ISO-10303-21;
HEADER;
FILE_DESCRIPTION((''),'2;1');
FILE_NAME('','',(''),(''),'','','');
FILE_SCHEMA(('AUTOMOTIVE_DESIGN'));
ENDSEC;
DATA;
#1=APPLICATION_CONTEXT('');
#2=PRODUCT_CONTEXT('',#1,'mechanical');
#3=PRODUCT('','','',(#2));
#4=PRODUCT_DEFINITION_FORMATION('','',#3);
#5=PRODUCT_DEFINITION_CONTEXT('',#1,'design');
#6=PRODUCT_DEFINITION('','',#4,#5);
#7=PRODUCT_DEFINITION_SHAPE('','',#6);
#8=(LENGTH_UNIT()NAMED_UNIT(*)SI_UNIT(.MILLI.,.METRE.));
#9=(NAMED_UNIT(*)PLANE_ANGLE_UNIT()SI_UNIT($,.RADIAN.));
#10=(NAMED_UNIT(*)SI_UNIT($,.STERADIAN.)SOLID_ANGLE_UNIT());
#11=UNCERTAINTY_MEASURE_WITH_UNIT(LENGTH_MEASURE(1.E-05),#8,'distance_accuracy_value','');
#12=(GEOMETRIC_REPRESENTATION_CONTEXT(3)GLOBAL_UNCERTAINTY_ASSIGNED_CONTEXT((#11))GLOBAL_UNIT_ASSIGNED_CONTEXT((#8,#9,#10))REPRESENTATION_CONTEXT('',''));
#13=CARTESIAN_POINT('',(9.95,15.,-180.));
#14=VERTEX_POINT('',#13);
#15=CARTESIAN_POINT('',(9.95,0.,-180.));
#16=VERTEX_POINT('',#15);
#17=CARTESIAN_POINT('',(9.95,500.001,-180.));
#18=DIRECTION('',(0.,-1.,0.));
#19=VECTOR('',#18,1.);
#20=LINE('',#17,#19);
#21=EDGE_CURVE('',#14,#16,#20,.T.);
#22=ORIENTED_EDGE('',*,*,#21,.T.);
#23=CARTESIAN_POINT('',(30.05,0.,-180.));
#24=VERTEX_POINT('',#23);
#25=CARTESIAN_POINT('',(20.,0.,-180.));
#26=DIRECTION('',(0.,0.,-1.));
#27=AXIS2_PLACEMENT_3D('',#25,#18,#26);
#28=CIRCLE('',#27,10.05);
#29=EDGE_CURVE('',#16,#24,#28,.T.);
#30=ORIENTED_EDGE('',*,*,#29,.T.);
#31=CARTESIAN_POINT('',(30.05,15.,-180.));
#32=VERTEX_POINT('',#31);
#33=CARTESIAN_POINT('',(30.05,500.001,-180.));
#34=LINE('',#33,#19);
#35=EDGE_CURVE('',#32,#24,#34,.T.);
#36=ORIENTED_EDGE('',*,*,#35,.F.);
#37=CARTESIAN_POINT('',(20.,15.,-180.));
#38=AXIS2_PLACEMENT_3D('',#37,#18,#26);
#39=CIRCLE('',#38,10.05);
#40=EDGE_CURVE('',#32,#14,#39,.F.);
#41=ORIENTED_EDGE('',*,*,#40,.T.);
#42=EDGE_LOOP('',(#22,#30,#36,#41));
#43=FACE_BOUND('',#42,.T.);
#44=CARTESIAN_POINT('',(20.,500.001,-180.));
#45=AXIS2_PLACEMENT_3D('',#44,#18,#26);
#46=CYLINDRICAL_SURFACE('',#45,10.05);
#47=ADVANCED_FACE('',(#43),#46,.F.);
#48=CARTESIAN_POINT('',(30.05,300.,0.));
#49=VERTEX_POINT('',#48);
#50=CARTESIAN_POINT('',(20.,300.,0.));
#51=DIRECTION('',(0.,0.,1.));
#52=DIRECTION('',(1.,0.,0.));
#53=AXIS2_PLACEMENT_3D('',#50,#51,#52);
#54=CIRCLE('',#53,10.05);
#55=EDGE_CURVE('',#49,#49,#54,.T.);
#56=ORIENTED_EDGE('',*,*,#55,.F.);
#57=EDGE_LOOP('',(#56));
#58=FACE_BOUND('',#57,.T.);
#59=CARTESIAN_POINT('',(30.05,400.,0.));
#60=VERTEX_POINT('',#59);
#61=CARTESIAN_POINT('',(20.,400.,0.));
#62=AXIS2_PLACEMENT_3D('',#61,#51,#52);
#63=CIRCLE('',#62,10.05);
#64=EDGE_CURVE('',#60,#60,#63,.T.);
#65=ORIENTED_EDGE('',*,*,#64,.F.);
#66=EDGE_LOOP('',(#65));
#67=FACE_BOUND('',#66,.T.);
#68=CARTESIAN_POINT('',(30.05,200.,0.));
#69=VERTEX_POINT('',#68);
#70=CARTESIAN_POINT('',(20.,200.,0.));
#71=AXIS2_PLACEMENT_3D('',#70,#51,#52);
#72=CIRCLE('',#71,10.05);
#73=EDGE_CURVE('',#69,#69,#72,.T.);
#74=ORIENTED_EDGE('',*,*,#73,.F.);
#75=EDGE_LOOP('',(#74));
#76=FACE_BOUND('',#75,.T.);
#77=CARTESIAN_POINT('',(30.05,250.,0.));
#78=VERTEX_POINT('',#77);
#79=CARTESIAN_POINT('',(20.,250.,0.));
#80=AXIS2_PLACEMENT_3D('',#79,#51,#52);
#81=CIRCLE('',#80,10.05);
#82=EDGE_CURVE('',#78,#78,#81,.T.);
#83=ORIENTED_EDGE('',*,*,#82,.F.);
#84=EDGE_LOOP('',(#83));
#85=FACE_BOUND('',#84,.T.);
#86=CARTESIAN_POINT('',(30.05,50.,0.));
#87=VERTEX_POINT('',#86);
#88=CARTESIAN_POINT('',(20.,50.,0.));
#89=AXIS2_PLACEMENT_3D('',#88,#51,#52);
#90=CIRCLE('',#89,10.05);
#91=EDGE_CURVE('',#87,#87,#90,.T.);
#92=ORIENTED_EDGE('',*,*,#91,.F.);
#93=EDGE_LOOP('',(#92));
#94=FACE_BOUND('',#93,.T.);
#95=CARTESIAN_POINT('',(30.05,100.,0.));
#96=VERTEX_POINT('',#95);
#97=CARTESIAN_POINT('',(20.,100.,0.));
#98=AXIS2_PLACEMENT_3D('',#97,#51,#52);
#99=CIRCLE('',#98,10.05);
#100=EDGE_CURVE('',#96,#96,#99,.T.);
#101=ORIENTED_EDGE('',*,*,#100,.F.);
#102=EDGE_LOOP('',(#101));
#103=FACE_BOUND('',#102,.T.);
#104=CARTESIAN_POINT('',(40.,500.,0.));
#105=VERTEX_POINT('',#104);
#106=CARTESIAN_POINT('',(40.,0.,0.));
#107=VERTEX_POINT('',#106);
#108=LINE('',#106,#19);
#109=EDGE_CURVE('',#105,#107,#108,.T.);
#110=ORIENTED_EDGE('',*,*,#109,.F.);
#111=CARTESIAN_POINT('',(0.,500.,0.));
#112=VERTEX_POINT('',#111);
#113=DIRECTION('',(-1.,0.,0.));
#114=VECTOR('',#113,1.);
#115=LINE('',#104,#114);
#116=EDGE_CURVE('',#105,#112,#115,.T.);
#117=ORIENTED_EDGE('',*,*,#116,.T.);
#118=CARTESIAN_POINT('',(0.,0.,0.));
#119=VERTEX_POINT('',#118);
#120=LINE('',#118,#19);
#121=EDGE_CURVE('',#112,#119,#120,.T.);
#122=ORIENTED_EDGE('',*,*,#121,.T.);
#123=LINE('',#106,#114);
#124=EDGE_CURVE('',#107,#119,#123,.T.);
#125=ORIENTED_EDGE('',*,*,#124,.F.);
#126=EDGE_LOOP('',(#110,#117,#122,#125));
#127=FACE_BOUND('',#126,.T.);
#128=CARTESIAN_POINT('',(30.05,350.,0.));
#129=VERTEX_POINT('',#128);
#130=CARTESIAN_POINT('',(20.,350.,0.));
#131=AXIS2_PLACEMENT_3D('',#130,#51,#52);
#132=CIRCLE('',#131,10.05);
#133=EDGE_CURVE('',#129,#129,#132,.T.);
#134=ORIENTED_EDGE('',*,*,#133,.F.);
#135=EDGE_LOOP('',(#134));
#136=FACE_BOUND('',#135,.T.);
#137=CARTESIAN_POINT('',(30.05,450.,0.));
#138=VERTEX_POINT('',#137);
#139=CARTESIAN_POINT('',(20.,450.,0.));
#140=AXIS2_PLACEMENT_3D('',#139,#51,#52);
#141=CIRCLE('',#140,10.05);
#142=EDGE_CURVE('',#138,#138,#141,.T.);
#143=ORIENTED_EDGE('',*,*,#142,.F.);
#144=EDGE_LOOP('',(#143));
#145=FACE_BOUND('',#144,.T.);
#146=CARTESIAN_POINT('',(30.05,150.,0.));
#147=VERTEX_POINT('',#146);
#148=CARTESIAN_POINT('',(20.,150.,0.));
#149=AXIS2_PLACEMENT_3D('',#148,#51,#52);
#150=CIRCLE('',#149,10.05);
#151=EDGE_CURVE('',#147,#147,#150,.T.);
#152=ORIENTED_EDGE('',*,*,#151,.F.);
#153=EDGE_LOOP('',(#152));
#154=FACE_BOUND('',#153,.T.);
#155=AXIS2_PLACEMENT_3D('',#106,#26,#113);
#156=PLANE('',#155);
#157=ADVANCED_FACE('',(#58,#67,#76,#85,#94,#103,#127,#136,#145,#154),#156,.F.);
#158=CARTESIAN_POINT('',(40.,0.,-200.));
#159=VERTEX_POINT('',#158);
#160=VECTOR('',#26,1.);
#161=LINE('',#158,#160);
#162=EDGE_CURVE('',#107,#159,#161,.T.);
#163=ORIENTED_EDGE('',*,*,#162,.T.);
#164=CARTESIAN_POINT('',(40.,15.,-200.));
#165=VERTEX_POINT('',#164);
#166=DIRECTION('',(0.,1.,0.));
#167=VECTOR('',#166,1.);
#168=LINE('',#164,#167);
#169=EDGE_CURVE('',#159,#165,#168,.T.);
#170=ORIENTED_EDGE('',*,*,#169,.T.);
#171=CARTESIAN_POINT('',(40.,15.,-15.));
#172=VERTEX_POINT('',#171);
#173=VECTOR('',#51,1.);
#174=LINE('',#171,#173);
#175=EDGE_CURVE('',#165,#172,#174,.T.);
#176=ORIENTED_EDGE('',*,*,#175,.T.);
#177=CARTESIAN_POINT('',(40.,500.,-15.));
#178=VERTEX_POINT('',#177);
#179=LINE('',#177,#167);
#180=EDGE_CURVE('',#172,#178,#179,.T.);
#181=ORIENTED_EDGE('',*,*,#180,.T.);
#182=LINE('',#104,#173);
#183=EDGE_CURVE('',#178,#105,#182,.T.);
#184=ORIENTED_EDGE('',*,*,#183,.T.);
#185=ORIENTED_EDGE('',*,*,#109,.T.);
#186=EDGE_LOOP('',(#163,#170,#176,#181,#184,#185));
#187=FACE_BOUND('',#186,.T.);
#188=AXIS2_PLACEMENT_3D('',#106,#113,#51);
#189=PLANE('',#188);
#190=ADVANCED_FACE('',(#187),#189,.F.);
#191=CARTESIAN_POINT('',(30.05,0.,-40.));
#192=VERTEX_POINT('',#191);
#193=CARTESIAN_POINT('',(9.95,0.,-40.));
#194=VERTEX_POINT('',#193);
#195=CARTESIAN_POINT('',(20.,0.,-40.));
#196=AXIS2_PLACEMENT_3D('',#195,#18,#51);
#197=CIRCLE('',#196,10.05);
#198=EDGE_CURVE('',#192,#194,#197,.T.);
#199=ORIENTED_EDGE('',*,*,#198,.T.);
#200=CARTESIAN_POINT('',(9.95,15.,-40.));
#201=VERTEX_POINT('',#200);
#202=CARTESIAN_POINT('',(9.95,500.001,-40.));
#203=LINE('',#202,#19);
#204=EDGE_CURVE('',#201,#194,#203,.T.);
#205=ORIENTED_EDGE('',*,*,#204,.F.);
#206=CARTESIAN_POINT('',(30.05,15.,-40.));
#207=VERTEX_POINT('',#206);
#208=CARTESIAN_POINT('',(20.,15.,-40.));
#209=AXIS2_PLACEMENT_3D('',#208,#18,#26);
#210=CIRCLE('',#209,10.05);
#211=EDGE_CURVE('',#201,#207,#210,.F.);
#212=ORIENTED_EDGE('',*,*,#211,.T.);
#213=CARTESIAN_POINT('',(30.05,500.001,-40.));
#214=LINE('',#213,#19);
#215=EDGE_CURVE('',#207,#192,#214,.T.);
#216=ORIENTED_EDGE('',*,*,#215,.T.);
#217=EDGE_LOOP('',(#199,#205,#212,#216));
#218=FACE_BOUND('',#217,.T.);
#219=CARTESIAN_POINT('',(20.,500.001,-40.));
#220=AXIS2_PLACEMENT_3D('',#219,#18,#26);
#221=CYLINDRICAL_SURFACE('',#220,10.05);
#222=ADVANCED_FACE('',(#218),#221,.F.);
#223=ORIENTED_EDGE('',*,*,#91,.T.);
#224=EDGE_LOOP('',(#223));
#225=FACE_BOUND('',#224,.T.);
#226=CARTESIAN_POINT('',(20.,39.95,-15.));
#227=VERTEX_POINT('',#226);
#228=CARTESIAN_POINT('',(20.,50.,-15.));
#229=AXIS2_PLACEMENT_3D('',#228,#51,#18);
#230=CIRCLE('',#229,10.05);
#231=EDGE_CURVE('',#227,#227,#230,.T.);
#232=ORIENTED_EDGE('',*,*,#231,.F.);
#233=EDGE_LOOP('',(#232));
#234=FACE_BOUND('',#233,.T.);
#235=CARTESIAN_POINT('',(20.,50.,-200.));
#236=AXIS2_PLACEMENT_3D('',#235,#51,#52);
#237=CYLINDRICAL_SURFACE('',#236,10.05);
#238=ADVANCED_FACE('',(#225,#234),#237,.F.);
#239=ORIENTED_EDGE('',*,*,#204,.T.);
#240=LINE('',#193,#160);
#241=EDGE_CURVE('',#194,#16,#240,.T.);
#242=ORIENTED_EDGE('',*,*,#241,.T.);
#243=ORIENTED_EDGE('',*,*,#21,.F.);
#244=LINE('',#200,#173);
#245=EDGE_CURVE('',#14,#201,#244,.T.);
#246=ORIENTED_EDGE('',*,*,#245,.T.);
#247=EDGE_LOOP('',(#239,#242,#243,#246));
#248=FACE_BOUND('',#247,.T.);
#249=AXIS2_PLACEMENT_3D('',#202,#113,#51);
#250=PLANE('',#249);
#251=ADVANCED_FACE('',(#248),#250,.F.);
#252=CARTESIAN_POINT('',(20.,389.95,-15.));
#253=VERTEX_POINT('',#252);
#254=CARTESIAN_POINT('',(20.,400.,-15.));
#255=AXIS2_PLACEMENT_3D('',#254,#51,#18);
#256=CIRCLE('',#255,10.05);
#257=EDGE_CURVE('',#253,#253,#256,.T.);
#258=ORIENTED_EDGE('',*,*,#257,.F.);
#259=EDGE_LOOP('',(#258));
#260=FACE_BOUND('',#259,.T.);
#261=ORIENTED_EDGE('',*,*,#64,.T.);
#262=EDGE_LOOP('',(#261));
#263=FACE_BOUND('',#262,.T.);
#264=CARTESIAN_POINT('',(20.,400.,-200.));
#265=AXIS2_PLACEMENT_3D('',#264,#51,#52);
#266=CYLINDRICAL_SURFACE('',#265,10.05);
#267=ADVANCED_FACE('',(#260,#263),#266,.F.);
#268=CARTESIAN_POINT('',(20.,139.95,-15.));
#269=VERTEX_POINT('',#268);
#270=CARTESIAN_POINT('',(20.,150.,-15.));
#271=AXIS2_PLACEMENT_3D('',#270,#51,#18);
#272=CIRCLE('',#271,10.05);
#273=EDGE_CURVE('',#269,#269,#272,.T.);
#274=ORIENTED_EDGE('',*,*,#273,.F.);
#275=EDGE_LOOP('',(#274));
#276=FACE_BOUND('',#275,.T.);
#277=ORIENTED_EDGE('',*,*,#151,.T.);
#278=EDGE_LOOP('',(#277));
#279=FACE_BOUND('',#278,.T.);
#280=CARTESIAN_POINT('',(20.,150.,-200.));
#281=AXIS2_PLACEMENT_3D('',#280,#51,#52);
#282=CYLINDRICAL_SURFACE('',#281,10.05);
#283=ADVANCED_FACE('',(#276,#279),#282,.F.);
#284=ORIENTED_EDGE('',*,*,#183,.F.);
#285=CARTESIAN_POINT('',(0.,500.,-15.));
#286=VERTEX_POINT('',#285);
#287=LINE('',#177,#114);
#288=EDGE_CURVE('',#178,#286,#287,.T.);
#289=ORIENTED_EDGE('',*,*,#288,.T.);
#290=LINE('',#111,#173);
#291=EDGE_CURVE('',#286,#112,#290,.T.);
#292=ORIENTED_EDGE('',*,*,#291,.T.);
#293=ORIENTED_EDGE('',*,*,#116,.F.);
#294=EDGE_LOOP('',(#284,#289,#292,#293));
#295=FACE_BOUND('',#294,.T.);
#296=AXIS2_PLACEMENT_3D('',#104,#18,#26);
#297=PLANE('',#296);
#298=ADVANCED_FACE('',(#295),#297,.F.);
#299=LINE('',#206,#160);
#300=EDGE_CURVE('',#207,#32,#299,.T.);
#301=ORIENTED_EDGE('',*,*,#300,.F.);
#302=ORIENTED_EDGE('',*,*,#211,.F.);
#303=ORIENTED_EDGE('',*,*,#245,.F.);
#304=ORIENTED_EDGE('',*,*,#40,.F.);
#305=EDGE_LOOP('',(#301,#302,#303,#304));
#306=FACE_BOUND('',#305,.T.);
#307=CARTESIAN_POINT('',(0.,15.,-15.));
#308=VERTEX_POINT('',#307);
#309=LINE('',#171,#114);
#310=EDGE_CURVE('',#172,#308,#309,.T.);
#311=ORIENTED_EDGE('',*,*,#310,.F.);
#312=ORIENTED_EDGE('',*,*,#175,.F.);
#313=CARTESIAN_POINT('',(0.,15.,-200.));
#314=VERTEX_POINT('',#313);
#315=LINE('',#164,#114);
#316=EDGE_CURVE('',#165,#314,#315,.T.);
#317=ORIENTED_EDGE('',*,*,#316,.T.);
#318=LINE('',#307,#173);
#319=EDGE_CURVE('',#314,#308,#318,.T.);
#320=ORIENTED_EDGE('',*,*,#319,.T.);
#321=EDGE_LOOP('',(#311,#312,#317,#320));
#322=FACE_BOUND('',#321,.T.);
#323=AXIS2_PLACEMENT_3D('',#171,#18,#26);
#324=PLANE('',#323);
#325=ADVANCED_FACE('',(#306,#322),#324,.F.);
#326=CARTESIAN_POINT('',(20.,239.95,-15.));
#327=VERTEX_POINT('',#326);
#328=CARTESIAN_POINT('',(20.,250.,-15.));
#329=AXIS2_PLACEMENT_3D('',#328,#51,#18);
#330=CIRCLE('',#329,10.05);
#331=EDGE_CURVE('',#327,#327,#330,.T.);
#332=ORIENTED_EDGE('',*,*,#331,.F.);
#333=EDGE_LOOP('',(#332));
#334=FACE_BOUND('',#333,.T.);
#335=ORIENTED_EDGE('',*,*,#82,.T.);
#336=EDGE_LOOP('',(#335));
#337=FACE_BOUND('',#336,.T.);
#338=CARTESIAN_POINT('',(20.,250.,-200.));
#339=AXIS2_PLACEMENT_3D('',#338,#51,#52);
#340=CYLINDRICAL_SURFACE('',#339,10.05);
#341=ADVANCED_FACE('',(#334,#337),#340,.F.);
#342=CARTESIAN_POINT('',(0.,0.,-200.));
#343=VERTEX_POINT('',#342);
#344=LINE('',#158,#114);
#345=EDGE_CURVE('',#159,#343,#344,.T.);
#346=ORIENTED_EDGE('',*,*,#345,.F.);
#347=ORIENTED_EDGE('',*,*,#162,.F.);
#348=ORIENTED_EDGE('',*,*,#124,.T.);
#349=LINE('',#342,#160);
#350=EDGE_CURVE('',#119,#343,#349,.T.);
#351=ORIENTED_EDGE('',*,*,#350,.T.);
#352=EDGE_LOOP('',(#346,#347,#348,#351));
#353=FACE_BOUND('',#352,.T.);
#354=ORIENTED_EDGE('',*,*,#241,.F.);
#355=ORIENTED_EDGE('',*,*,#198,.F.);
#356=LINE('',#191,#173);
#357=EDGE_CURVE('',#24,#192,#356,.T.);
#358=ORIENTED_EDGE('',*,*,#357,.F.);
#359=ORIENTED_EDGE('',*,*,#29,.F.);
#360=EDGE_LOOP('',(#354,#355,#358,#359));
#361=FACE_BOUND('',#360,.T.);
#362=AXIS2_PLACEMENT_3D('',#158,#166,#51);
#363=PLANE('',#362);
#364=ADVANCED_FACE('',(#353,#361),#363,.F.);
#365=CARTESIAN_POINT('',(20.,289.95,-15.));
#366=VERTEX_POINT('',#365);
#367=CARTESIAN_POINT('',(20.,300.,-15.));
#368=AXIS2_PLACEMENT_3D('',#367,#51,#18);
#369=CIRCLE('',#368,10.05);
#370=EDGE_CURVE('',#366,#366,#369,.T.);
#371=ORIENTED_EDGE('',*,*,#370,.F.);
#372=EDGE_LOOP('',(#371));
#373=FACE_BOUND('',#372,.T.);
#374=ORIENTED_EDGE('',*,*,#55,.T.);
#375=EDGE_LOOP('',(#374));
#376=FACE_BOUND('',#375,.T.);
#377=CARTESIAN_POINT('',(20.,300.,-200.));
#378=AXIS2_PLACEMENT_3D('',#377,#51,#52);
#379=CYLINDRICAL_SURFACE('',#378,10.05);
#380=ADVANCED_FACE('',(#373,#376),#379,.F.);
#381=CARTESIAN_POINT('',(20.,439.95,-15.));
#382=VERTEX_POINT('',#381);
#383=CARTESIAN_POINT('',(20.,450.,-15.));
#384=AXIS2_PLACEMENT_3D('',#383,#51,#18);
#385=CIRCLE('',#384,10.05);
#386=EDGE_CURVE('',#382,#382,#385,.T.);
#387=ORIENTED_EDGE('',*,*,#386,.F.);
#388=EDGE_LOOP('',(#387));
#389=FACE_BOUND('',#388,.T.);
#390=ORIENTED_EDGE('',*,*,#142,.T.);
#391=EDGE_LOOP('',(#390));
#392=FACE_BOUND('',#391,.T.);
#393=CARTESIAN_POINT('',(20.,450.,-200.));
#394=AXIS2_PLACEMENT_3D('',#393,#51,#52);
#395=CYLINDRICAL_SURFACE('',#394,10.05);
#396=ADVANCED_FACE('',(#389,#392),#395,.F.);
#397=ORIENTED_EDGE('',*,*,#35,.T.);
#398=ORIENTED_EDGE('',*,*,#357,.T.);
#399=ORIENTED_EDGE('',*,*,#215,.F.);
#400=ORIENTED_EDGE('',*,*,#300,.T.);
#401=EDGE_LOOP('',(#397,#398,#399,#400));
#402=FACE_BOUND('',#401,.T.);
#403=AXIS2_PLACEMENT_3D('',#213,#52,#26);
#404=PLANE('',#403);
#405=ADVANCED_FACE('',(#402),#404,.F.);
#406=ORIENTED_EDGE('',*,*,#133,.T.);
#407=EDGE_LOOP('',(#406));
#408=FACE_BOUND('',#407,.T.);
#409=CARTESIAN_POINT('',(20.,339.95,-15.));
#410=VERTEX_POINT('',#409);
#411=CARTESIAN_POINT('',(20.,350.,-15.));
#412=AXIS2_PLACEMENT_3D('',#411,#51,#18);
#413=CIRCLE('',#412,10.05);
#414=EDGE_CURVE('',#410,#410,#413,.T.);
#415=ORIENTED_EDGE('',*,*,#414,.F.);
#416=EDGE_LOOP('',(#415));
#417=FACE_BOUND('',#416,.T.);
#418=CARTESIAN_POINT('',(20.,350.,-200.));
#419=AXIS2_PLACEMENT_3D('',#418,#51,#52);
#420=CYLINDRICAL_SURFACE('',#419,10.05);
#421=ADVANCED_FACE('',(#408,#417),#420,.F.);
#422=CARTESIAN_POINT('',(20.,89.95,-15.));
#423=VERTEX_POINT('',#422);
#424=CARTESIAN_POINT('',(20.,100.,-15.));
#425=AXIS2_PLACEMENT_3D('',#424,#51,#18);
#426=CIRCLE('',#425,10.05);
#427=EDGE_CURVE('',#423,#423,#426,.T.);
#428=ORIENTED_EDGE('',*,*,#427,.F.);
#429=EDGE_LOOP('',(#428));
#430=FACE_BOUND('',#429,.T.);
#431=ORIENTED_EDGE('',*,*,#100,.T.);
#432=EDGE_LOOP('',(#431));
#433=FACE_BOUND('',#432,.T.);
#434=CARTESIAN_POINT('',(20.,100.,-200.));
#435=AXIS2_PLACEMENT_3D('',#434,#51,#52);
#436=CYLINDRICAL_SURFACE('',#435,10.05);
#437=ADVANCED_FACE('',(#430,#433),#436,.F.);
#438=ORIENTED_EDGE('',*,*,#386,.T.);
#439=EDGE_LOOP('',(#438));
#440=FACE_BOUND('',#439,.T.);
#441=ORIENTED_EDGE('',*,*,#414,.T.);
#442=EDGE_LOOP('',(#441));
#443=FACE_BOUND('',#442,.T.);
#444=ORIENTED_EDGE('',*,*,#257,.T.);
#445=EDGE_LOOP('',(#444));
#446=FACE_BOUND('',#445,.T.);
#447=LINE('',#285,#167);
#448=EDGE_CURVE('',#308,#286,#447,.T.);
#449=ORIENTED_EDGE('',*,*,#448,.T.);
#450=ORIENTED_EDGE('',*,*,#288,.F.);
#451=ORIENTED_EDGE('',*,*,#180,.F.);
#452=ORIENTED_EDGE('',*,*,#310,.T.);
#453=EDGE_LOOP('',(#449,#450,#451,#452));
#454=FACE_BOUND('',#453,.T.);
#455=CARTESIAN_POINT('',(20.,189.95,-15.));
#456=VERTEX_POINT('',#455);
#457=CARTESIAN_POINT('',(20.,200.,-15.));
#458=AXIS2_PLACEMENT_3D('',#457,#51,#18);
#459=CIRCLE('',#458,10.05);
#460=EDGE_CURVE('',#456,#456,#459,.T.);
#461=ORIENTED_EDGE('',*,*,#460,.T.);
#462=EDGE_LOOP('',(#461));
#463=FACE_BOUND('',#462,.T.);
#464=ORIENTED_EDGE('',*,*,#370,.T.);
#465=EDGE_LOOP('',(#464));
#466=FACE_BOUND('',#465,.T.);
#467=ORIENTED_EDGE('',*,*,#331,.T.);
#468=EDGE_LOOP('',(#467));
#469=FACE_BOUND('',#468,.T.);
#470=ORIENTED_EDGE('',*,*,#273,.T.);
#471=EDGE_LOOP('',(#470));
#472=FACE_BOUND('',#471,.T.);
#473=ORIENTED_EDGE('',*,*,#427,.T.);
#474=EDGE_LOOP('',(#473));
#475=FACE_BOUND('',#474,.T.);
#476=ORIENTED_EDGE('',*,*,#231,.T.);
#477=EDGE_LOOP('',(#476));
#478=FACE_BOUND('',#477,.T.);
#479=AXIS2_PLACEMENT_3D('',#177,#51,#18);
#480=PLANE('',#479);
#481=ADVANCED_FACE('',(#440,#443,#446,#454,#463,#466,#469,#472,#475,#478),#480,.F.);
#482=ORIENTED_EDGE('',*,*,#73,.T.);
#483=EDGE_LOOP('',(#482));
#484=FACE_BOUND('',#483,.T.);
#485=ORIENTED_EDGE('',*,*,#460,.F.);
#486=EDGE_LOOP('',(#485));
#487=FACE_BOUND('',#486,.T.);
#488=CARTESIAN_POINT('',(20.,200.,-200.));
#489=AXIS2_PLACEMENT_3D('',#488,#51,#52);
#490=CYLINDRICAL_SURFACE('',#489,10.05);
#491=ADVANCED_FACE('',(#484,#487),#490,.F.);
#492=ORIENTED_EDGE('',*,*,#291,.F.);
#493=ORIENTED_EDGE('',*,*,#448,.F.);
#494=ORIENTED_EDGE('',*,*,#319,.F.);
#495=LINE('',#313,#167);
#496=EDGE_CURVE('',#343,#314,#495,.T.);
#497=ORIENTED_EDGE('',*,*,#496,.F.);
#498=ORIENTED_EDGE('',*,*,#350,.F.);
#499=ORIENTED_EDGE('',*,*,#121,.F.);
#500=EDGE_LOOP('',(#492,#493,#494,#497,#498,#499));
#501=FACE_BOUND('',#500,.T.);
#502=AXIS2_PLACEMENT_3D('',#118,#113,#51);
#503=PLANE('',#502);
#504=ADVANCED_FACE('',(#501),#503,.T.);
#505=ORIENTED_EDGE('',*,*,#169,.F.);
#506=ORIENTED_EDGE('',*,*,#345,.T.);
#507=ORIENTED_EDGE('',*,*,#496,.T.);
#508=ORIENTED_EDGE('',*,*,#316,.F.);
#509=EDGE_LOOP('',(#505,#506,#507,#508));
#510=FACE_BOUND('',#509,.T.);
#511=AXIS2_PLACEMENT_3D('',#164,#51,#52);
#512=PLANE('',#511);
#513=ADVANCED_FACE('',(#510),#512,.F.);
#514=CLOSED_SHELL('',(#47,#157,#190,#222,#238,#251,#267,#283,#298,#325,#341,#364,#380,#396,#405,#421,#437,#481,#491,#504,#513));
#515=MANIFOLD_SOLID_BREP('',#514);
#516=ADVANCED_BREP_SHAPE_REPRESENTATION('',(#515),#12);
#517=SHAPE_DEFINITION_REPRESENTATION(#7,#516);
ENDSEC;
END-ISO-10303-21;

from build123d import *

# Parameters (mm, degrees)
EXTRUDE_1_DEPTH     = 40
SKETCH_2_R          = 10.05
CUT_EXTRUDE_1_DEPTH = 201
CUT_EXTRUDE_2_REACH = 502


with BuildPart() as part:
    # Эскиз1 → Бобышка-Вытянуть1 (new body)
    with BuildSketch(Plane(origin=(0, 0, 0), x_dir=(0, 0, -1), z_dir=(1, 0, 0))):
        Polygon((0, 0), (0, 500), (15, 500), (15, 15), (200, 15), (200, 0), align=None)
    extrude(amount=EXTRUDE_1_DEPTH)

    # Эскиз2 → Вырез-Вытянуть1 (cut, through all)
    with BuildSketch(Plane.XY):
        with Locations((20, 50)):
            Circle(SKETCH_2_R)
        with Locations((20, 100)):
            Circle(SKETCH_2_R)
        with Locations((20, 150)):
            Circle(SKETCH_2_R)
        with Locations((20, 200)):
            Circle(SKETCH_2_R)
        with Locations((20, 250)):
            Circle(SKETCH_2_R)
        with Locations((20, 300)):
            Circle(SKETCH_2_R)
        with Locations((20, 350)):
            Circle(SKETCH_2_R)
        with Locations((20, 400)):
            Circle(SKETCH_2_R)
        with Locations((20, 450)):
            Circle(SKETCH_2_R)
    extrude(amount=-CUT_EXTRUDE_1_DEPTH, mode=Mode.SUBTRACT)

    # Эскиз3 → Вырез-Вытянуть2 (cut, up to next)
    with BuildSketch(Plane.XZ, mode=Mode.PRIVATE) as cut_extrude_2_sk1:
        with BuildLine():
            Line((9.95, -40), (9.95, -180))
            ThreePointArc((9.95, -180), (20, -190.05), (30.05, -180))
            Line((30.05, -180), (30.05, -40))
            ThreePointArc((30.05, -40), (20, -29.95), (9.95, -40))
        make_face()
    cut_extrude_2_tool1 = extrude(cut_extrude_2_sk1.sketch, amount=-CUT_EXTRUDE_2_REACH, mode=Mode.PRIVATE) & part.part
    add(cut_extrude_2_tool1.solids().sort_by_distance((20, 0, -110))[0], mode=Mode.SUBTRACT)


solid = part.part
